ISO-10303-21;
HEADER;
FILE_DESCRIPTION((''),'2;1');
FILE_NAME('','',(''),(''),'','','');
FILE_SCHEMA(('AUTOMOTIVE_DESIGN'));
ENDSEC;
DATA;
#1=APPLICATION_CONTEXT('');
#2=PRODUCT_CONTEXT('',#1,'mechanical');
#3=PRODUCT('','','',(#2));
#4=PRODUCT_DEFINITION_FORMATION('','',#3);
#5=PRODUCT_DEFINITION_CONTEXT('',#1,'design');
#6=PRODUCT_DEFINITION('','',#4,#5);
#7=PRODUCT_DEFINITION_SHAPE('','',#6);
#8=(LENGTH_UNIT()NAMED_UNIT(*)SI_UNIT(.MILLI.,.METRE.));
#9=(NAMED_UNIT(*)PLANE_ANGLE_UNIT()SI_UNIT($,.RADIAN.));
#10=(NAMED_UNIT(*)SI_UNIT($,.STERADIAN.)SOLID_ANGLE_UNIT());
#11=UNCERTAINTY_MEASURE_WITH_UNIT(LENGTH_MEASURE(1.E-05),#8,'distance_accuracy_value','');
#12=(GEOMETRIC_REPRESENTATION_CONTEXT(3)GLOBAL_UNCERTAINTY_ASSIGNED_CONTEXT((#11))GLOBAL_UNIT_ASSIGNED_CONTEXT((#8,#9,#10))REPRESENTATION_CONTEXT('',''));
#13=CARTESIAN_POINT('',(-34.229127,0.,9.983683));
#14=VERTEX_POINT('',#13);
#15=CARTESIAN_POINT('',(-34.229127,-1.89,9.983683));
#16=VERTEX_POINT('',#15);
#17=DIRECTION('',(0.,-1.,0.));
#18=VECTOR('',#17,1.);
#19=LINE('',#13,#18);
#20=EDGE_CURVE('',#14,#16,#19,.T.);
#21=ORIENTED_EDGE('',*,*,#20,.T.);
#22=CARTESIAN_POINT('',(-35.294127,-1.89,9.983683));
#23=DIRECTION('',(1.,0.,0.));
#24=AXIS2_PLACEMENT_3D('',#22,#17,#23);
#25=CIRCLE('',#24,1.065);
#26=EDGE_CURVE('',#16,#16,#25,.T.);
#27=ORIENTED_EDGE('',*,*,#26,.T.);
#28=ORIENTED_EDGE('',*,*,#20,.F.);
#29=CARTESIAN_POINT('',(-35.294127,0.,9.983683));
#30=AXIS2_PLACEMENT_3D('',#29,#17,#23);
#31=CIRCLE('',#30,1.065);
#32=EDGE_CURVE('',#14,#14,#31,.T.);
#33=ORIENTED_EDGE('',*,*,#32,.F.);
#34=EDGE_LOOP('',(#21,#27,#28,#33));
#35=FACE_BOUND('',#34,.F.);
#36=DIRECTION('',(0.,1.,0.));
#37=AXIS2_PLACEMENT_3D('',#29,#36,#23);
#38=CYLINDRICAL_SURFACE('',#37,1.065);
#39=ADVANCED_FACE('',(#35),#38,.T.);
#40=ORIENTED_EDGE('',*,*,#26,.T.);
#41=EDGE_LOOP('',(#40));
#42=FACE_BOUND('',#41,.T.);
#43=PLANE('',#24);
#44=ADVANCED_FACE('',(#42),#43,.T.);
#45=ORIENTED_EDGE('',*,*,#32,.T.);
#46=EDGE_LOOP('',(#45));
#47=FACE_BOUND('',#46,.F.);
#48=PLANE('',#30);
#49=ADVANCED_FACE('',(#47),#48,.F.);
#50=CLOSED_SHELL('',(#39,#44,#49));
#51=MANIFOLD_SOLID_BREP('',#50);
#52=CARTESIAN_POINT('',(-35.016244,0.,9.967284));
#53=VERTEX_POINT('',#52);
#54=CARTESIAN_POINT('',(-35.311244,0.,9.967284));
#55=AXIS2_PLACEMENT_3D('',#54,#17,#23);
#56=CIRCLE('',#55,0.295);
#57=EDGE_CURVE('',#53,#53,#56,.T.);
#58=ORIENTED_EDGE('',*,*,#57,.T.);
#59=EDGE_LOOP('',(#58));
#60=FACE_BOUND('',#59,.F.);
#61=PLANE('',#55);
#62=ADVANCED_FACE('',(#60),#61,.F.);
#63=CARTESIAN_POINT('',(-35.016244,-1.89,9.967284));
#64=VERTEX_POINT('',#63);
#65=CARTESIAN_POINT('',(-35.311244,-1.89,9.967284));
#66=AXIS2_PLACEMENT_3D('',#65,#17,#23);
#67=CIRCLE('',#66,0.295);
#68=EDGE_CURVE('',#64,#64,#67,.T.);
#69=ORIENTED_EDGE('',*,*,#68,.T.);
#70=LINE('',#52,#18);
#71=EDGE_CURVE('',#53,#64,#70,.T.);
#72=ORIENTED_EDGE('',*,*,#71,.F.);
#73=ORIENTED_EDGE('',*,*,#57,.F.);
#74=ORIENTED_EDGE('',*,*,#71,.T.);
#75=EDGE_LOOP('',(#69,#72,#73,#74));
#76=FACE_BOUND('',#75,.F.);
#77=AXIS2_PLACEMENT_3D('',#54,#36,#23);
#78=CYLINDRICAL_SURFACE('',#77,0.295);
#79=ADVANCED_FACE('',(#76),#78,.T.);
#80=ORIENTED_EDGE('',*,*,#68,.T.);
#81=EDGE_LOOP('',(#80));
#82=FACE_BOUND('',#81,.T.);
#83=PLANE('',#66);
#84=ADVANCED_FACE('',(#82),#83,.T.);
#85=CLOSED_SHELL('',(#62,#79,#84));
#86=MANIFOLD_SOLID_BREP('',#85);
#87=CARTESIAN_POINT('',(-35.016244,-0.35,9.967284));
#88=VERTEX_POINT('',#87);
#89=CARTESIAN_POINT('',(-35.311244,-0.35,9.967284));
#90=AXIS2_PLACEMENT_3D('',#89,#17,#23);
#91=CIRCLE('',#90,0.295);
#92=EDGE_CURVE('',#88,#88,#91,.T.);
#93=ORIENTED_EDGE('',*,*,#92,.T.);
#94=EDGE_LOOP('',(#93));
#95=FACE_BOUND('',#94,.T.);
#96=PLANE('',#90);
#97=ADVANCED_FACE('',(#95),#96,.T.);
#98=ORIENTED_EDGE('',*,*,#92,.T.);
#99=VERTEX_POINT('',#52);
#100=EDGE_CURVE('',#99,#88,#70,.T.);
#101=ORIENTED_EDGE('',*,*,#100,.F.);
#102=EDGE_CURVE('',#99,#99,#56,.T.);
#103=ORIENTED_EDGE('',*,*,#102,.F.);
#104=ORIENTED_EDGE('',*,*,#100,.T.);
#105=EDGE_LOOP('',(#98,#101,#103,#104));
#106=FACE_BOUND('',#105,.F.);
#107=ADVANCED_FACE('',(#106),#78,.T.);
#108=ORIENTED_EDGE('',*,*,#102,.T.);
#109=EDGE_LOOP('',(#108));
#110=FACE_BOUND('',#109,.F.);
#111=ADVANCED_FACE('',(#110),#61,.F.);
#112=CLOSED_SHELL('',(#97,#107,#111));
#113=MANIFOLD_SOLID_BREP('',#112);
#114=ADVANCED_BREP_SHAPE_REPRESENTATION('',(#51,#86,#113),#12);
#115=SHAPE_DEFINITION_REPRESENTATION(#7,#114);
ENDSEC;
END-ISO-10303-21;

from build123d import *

# Parameters (mm, degrees)
F1_R     = 0.295
F2_DEPTH = 1.89
F0_R     = 1.065
F3_DEPTH = 0.35


with BuildPart() as f2:
    # F1 (on face) → F2 (new body)
    with BuildSketch(Plane.XZ):
        with Locations((-35.3112444282, 9.9672842771)):
            Circle(F1_R)
    extrude(amount=F2_DEPTH)


with BuildPart() as f2b:
    # F0 (on Front) → F2, piece 2 (new body)
    with BuildSketch(Plane.XZ):
        with Locations((-35.2941267192, 9.983683005)):
            Circle(F0_R)
    extrude(amount=F2_DEPTH)


with BuildPart() as f3:
    # F1 (on face) → F3 (new body)
    with BuildSketch(Plane.XZ):
        with Locations((-35.3112444282, 9.9672842771)):
            Circle(F1_R)
    extrude(amount=F3_DEPTH)


solid = Compound([f2.part, f2b.part, f3.part])
